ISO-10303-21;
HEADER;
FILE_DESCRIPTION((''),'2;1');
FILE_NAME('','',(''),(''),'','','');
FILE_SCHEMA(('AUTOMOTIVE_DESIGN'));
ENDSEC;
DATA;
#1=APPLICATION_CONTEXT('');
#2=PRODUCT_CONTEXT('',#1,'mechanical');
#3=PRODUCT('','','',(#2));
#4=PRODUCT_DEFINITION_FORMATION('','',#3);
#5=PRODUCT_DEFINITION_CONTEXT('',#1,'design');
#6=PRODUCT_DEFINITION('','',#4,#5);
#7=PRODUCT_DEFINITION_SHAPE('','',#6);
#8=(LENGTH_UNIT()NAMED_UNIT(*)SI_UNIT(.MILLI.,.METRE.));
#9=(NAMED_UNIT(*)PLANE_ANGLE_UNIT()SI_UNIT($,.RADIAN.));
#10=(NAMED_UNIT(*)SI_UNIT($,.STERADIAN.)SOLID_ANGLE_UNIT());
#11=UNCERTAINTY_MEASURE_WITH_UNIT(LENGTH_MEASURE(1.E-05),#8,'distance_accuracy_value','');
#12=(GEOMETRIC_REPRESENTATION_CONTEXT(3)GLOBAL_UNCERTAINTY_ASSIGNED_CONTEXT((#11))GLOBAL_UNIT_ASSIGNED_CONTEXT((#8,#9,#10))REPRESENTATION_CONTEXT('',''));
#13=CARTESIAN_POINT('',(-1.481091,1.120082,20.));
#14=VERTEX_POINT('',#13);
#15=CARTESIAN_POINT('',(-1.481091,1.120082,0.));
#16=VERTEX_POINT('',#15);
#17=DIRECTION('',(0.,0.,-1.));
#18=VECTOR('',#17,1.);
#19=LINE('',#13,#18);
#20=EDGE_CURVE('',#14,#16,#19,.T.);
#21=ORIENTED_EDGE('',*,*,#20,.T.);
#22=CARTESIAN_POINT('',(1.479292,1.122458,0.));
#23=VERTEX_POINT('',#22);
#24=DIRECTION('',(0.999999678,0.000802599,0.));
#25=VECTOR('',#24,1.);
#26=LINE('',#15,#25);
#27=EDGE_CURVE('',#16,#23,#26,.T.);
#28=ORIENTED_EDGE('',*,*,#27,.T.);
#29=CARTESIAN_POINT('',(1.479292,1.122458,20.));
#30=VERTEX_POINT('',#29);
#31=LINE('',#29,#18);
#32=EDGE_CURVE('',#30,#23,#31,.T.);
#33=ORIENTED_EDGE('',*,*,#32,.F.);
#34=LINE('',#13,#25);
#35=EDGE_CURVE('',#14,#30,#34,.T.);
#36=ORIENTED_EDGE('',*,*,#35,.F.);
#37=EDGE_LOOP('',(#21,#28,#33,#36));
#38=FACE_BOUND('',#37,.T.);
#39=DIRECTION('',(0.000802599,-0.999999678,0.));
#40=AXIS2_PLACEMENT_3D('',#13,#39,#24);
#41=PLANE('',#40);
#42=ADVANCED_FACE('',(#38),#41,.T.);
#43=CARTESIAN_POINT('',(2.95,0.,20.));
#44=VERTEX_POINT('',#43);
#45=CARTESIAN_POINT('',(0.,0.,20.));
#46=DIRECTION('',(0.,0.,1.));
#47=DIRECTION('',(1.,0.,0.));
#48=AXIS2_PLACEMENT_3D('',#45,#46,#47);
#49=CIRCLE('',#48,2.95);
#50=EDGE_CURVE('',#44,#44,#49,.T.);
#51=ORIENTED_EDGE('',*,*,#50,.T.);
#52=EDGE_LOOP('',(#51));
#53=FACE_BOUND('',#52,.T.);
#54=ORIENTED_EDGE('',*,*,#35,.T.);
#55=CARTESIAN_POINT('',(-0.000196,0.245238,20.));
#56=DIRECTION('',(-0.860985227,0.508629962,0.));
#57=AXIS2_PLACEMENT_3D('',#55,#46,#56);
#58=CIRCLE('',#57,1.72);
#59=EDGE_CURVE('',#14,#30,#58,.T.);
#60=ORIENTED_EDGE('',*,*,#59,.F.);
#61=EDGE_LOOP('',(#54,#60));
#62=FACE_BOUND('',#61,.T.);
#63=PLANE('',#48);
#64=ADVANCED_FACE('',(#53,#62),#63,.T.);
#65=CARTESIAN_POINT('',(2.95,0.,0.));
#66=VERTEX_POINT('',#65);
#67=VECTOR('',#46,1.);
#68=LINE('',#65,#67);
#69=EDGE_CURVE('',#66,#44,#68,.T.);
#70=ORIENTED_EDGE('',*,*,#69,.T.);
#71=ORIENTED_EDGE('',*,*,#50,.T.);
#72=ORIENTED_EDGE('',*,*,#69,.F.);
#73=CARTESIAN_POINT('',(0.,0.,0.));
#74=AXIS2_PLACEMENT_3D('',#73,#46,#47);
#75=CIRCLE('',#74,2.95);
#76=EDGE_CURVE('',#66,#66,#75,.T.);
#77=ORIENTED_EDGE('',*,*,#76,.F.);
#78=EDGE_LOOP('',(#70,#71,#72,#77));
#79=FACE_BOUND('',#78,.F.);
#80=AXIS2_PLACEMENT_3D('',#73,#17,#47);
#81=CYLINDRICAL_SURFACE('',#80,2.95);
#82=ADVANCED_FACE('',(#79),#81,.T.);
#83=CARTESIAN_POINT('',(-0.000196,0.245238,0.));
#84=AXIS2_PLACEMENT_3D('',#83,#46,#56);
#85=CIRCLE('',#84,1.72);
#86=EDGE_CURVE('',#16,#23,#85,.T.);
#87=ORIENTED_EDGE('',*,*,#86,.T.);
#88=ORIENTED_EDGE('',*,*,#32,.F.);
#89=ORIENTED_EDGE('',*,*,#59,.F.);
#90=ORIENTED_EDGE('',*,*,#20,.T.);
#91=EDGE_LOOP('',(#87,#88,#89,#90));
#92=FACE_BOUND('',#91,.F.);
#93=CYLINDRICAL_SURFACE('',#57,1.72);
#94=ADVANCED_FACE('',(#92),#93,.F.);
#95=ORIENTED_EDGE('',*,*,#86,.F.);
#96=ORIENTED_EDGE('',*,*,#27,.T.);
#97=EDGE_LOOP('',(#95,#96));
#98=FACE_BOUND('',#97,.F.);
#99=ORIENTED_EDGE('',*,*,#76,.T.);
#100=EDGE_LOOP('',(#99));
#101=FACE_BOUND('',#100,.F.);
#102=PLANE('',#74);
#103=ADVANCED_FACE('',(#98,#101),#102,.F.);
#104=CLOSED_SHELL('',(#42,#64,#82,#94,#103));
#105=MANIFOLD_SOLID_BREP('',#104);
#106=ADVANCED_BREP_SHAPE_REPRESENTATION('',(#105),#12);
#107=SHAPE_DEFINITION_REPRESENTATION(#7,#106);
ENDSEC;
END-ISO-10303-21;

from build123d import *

# Parameters (mm, degrees)
SKETCH_R     = 2.95
PAD_DEPTH    = 20
POCKET_DEPTH = 20


with BuildPart() as part:
    # Sketch → Pad (new body)
    with BuildSketch(Plane.XY):
        Circle(SKETCH_R)
    extrude(amount=PAD_DEPTH)

    # Sketch001 (on Face3 of Pad) → Pocket (cut)
    with BuildSketch(Plane.XY.offset(20)):
        with BuildLine():
            ThreePointArc((-1.481091, 1.120082), (0.001183, -1.474761), (1.479292, 1.122458))
            Line((-1.481091, 1.120082), (1.479292, 1.122458))
        make_face()
    extrude(amount=-POCKET_DEPTH, mode=Mode.SUBTRACT)


solid = part.part
